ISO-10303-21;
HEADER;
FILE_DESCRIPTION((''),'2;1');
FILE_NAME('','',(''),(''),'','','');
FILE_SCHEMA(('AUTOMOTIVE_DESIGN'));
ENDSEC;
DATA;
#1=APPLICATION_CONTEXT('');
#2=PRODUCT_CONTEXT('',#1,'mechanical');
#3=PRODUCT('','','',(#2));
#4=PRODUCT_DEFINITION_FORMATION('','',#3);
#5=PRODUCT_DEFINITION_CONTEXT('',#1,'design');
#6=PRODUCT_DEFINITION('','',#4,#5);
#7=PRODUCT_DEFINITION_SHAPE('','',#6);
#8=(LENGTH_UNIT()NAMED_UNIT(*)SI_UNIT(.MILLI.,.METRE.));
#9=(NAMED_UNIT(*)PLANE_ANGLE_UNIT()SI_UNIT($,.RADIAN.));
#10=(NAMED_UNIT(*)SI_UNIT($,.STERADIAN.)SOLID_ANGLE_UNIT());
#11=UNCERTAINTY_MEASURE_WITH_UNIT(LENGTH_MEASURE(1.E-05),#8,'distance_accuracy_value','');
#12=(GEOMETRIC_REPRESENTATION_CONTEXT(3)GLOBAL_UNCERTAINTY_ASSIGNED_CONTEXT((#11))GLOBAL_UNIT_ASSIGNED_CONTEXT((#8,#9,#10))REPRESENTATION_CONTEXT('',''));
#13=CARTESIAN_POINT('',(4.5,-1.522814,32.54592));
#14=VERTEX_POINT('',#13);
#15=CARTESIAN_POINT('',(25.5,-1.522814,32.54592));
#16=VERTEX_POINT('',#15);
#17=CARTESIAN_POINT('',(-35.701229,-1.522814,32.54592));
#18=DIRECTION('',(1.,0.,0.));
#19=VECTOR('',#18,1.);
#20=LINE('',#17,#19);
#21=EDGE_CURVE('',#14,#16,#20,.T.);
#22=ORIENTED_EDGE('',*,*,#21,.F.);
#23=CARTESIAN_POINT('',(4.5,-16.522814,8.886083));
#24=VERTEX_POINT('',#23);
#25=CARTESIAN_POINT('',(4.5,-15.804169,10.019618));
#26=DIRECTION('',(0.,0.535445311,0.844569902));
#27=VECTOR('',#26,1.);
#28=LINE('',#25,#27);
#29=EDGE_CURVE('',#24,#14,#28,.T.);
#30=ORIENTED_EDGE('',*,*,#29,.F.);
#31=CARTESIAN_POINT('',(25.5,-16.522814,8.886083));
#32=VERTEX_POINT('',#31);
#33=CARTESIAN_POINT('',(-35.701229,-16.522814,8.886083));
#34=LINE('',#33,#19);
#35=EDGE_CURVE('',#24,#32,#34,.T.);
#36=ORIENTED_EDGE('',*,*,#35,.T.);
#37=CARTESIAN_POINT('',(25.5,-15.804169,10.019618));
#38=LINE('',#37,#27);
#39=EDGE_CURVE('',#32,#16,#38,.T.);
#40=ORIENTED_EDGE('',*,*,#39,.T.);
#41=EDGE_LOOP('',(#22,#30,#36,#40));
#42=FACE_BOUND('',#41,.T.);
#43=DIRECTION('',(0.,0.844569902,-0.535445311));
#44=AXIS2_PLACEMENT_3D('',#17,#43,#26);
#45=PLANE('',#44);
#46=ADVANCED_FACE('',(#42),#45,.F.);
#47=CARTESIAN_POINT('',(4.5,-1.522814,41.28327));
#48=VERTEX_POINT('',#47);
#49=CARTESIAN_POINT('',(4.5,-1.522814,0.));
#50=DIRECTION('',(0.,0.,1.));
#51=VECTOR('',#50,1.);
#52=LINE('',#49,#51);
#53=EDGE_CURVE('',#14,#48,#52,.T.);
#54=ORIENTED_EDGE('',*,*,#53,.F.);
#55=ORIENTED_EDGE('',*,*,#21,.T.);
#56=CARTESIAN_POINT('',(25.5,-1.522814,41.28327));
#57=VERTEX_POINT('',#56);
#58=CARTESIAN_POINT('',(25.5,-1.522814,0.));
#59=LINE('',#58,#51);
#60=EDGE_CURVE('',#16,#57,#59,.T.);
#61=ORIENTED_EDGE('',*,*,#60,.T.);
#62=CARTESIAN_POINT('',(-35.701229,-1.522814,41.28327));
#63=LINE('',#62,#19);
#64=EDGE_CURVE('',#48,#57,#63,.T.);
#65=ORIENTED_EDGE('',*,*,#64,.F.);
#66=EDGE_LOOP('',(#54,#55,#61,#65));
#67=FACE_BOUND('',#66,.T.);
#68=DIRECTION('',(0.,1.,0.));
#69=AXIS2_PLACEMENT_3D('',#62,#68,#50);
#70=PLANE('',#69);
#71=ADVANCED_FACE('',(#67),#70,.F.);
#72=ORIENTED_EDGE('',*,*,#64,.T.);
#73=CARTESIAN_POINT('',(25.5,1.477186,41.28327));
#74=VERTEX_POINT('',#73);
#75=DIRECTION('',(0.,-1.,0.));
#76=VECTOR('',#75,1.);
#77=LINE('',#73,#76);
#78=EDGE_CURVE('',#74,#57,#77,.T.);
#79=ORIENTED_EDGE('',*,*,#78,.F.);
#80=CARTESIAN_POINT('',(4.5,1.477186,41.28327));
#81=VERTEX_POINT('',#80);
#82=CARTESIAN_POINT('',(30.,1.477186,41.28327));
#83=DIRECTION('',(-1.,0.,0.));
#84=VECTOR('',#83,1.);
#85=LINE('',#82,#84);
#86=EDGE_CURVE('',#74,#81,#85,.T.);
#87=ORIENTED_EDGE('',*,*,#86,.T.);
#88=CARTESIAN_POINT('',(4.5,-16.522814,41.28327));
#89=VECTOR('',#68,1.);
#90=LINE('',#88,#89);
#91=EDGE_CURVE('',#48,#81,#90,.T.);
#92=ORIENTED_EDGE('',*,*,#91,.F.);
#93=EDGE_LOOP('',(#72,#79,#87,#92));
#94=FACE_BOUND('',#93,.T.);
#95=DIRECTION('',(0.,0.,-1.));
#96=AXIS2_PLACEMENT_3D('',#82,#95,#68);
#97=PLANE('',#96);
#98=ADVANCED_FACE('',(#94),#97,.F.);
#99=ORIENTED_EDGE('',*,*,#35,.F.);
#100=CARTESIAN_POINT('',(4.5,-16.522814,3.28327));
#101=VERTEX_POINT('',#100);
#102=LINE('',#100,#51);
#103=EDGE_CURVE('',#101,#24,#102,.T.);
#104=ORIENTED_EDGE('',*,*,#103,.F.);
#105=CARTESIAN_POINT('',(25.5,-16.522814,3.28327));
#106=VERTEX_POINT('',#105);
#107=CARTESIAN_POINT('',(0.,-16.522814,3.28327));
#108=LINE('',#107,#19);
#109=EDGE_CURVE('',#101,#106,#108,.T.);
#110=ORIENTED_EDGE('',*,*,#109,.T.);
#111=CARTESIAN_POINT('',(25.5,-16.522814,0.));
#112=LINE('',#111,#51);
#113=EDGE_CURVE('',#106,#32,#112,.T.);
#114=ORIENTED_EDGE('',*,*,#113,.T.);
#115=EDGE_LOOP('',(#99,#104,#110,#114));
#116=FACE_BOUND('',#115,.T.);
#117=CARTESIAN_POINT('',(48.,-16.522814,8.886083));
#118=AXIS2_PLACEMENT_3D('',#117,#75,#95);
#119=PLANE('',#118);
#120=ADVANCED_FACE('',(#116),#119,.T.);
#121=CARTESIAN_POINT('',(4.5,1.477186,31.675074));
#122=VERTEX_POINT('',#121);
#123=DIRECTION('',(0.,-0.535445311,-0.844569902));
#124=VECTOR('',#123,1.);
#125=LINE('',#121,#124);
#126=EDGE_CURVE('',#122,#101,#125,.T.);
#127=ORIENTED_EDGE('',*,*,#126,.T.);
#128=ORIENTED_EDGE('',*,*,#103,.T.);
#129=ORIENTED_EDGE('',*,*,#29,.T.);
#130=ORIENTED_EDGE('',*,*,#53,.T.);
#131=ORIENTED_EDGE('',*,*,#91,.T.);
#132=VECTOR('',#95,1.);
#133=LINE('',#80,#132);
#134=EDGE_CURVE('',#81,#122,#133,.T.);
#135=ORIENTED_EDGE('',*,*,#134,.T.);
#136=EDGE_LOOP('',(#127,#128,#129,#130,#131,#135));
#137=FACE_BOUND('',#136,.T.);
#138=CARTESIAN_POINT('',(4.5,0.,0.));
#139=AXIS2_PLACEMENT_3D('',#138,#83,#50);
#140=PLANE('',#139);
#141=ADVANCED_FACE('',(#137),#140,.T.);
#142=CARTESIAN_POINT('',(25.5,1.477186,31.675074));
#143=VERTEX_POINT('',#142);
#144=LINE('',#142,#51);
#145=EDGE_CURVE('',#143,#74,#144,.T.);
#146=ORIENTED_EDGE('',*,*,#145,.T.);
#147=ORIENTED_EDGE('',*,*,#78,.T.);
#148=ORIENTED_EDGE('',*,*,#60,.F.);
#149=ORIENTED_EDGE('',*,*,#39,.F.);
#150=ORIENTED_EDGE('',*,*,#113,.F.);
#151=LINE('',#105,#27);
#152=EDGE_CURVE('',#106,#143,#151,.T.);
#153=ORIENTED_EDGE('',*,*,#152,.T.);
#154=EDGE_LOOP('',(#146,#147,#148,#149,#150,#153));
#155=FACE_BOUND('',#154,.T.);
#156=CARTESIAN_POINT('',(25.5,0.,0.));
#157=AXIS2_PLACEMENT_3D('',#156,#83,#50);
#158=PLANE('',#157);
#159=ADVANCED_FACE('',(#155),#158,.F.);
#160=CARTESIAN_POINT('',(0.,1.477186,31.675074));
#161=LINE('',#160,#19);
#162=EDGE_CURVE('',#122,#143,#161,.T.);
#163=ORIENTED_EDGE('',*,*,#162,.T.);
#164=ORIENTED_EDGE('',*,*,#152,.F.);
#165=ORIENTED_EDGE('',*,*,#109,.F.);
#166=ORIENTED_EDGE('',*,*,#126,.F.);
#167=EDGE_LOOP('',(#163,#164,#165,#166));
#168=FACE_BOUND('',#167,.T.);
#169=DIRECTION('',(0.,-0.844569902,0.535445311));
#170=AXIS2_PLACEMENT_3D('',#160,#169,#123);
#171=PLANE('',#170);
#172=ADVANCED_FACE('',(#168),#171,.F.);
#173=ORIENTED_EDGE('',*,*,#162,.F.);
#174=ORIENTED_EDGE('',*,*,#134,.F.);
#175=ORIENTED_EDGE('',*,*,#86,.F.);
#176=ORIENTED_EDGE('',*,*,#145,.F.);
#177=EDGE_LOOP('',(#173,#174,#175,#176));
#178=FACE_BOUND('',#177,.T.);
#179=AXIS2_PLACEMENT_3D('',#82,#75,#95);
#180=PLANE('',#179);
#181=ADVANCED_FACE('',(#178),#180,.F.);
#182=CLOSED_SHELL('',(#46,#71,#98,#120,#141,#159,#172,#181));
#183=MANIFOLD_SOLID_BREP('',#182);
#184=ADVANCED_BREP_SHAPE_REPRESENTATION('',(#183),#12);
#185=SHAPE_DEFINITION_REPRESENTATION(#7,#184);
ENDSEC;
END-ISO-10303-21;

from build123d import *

# Parameters (mm, degrees)
CROQUIS2_W                 = 43
CROQUIS2_H                 = 30
SALIENTE_EXTRUIR1_DEPTH    = 30
CROQUIS3_W                 = 42.529407755
CROQUIS3_H                 = 25.558495791
CORTAR_EXTRUIR1_DEPTH      = 30
CORTAR_EXTRUIR2_START      = -7.5
CORTAR_EXTRUIR2_DEPTH      = 15
CORTAR_EXTRUIR4_DEPTH      = 4.5
CORTAR_EXTRUIR5_DEPTH      = 4.5
REDONDEO1_R                = 3
CROQUIS8_W                 = 15
CROQUIS8_H                 = 32.397186909
CORTAR_EXTRUIR6_DEPTH      = 4.5
CROQUIS9_W                 = 120.283196461
CROQUIS9_H                 = 78.810135234
CORTAR_EXTRUIR7_DEPTH      = 22.5
CORTAR_EXTRUIR9_DEPTH      = 22.5
CORTAR_EXTRUIR9_DEPTH_BACK = 29.5


with BuildPart() as part:
    # Croquis2 → Saliente-Extruir1 (new body)
    with BuildSketch(Plane(origin=(0, 0, 0), x_dir=(0, 0, -1), z_dir=(1, 0, 0))):
        with Locations((-19.783269962, -13.522813688)):
            Rectangle(CROQUIS2_W, CROQUIS2_H)
    extrude(amount=SALIENTE_EXTRUIR1_DEPTH)

    # Croquis3 → Cortar-Extruir1 (cut)
    with BuildSketch(Plane(origin=(30, 0, 0), x_dir=(0, 0, -1), z_dir=(1, 0, 0))):
        with Locations((-17.018566085, -31.302061584)):
            Rectangle(CROQUIS3_W, CROQUIS3_H)
        Polygon((-31.675073764, 1.477186312), (-3.283269962, -16.522813688), (1.716730038, -16.522813688), (1.716730038, 1.477186312), align=None)
    extrude(amount=-CORTAR_EXTRUIR1_DEPTH, mode=Mode.SUBTRACT)

    # Croquis4 → Cortar-Extruir2 (cut)
    with BuildSketch(Plane(origin=(30, 0, 0), x_dir=(0, 0, -1), z_dir=(1, 0, 0)).offset(CORTAR_EXTRUIR2_START)):
        Polygon((-41.283269962, -1.522813688), (-32.545919554, -1.522813688), (-8.886083053, -16.522813688), (-41.283269962, -16.522813688), align=None)
    extrude(amount=-CORTAR_EXTRUIR2_DEPTH, mode=Mode.SUBTRACT)

    # Croquis5 → Cortar-Extruir4 (cut)
    with BuildSketch(Plane(origin=(30, 0, 0), x_dir=(0, 0, -1), z_dir=(1, 0, 0))):
        Polygon((-3.283269962, -16.522813688), (-41.283269962, -16.522813688), (-41.283269962, 1.477186312), (-31.675073764, 1.477186312), align=None)
    extrude(amount=-CORTAR_EXTRUIR4_DEPTH, mode=Mode.SUBTRACT)

    # Croquis6 → Cortar-Extruir5 (cut)
    with BuildSketch(Plane.ZY):
        Polygon((3.283269962, -16.522813688), (41.283269962, -16.522813688), (41.283269962, 1.477186312), (31.675073764, 1.477186312), align=None)
    extrude(amount=-CORTAR_EXTRUIR5_DEPTH, mode=Mode.SUBTRACT)

    # Redondeo1
    redondeo1_edges = [part.edges().sort_by_distance(p)[0] for p in [
        (0, -17.522813688, -1.716730038),
        (30, -17.522813688, -1.716730038),
    ]]
    fillet(redondeo1_edges, radius=REDONDEO1_R)

    # Croquis8 → Cortar-Extruir6 (cut)
    with BuildSketch(Plane(origin=(0, -16.522813688, 0), x_dir=(1, 0, 0), z_dir=(0, 1, 0))):
        with Locations((15, -25.084676508)):
            Rectangle(CROQUIS8_W, CROQUIS8_H)
    extrude(amount=-CORTAR_EXTRUIR6_DEPTH, mode=Mode.SUBTRACT)

    # Croquis9 → Cortar-Extruir7 (cut)
    with BuildSketch(Plane.XZ.offset(18.522813688)):
        with Locations((17.6156444, 62.089659259)):
            Rectangle(CROQUIS9_W, CROQUIS9_H)
    extrude(amount=CORTAR_EXTRUIR7_DEPTH, mode=Mode.SUBTRACT)

    # Croquis10 → Cortar-Extruir9 (cut, two sides)
    with BuildSketch(Plane(origin=(25.5, 0, 0), x_dir=(0, 0, -1), z_dir=(1, 0, 0))) as cortar_extruir9_sk:
        Polygon((-41.283269962, -1.522813688), (-32.545919554, -1.522813688), (-8.886083053, -16.522813688), (1.716730038, -16.522813688), (18.108947867, -28.45757264), (-61.799912443, -25.241788427), align=None)
    extrude(amount=CORTAR_EXTRUIR9_DEPTH, mode=Mode.SUBTRACT)
    extrude(cortar_extruir9_sk.sketch, amount=-CORTAR_EXTRUIR9_DEPTH_BACK, mode=Mode.SUBTRACT)


solid = part.part
